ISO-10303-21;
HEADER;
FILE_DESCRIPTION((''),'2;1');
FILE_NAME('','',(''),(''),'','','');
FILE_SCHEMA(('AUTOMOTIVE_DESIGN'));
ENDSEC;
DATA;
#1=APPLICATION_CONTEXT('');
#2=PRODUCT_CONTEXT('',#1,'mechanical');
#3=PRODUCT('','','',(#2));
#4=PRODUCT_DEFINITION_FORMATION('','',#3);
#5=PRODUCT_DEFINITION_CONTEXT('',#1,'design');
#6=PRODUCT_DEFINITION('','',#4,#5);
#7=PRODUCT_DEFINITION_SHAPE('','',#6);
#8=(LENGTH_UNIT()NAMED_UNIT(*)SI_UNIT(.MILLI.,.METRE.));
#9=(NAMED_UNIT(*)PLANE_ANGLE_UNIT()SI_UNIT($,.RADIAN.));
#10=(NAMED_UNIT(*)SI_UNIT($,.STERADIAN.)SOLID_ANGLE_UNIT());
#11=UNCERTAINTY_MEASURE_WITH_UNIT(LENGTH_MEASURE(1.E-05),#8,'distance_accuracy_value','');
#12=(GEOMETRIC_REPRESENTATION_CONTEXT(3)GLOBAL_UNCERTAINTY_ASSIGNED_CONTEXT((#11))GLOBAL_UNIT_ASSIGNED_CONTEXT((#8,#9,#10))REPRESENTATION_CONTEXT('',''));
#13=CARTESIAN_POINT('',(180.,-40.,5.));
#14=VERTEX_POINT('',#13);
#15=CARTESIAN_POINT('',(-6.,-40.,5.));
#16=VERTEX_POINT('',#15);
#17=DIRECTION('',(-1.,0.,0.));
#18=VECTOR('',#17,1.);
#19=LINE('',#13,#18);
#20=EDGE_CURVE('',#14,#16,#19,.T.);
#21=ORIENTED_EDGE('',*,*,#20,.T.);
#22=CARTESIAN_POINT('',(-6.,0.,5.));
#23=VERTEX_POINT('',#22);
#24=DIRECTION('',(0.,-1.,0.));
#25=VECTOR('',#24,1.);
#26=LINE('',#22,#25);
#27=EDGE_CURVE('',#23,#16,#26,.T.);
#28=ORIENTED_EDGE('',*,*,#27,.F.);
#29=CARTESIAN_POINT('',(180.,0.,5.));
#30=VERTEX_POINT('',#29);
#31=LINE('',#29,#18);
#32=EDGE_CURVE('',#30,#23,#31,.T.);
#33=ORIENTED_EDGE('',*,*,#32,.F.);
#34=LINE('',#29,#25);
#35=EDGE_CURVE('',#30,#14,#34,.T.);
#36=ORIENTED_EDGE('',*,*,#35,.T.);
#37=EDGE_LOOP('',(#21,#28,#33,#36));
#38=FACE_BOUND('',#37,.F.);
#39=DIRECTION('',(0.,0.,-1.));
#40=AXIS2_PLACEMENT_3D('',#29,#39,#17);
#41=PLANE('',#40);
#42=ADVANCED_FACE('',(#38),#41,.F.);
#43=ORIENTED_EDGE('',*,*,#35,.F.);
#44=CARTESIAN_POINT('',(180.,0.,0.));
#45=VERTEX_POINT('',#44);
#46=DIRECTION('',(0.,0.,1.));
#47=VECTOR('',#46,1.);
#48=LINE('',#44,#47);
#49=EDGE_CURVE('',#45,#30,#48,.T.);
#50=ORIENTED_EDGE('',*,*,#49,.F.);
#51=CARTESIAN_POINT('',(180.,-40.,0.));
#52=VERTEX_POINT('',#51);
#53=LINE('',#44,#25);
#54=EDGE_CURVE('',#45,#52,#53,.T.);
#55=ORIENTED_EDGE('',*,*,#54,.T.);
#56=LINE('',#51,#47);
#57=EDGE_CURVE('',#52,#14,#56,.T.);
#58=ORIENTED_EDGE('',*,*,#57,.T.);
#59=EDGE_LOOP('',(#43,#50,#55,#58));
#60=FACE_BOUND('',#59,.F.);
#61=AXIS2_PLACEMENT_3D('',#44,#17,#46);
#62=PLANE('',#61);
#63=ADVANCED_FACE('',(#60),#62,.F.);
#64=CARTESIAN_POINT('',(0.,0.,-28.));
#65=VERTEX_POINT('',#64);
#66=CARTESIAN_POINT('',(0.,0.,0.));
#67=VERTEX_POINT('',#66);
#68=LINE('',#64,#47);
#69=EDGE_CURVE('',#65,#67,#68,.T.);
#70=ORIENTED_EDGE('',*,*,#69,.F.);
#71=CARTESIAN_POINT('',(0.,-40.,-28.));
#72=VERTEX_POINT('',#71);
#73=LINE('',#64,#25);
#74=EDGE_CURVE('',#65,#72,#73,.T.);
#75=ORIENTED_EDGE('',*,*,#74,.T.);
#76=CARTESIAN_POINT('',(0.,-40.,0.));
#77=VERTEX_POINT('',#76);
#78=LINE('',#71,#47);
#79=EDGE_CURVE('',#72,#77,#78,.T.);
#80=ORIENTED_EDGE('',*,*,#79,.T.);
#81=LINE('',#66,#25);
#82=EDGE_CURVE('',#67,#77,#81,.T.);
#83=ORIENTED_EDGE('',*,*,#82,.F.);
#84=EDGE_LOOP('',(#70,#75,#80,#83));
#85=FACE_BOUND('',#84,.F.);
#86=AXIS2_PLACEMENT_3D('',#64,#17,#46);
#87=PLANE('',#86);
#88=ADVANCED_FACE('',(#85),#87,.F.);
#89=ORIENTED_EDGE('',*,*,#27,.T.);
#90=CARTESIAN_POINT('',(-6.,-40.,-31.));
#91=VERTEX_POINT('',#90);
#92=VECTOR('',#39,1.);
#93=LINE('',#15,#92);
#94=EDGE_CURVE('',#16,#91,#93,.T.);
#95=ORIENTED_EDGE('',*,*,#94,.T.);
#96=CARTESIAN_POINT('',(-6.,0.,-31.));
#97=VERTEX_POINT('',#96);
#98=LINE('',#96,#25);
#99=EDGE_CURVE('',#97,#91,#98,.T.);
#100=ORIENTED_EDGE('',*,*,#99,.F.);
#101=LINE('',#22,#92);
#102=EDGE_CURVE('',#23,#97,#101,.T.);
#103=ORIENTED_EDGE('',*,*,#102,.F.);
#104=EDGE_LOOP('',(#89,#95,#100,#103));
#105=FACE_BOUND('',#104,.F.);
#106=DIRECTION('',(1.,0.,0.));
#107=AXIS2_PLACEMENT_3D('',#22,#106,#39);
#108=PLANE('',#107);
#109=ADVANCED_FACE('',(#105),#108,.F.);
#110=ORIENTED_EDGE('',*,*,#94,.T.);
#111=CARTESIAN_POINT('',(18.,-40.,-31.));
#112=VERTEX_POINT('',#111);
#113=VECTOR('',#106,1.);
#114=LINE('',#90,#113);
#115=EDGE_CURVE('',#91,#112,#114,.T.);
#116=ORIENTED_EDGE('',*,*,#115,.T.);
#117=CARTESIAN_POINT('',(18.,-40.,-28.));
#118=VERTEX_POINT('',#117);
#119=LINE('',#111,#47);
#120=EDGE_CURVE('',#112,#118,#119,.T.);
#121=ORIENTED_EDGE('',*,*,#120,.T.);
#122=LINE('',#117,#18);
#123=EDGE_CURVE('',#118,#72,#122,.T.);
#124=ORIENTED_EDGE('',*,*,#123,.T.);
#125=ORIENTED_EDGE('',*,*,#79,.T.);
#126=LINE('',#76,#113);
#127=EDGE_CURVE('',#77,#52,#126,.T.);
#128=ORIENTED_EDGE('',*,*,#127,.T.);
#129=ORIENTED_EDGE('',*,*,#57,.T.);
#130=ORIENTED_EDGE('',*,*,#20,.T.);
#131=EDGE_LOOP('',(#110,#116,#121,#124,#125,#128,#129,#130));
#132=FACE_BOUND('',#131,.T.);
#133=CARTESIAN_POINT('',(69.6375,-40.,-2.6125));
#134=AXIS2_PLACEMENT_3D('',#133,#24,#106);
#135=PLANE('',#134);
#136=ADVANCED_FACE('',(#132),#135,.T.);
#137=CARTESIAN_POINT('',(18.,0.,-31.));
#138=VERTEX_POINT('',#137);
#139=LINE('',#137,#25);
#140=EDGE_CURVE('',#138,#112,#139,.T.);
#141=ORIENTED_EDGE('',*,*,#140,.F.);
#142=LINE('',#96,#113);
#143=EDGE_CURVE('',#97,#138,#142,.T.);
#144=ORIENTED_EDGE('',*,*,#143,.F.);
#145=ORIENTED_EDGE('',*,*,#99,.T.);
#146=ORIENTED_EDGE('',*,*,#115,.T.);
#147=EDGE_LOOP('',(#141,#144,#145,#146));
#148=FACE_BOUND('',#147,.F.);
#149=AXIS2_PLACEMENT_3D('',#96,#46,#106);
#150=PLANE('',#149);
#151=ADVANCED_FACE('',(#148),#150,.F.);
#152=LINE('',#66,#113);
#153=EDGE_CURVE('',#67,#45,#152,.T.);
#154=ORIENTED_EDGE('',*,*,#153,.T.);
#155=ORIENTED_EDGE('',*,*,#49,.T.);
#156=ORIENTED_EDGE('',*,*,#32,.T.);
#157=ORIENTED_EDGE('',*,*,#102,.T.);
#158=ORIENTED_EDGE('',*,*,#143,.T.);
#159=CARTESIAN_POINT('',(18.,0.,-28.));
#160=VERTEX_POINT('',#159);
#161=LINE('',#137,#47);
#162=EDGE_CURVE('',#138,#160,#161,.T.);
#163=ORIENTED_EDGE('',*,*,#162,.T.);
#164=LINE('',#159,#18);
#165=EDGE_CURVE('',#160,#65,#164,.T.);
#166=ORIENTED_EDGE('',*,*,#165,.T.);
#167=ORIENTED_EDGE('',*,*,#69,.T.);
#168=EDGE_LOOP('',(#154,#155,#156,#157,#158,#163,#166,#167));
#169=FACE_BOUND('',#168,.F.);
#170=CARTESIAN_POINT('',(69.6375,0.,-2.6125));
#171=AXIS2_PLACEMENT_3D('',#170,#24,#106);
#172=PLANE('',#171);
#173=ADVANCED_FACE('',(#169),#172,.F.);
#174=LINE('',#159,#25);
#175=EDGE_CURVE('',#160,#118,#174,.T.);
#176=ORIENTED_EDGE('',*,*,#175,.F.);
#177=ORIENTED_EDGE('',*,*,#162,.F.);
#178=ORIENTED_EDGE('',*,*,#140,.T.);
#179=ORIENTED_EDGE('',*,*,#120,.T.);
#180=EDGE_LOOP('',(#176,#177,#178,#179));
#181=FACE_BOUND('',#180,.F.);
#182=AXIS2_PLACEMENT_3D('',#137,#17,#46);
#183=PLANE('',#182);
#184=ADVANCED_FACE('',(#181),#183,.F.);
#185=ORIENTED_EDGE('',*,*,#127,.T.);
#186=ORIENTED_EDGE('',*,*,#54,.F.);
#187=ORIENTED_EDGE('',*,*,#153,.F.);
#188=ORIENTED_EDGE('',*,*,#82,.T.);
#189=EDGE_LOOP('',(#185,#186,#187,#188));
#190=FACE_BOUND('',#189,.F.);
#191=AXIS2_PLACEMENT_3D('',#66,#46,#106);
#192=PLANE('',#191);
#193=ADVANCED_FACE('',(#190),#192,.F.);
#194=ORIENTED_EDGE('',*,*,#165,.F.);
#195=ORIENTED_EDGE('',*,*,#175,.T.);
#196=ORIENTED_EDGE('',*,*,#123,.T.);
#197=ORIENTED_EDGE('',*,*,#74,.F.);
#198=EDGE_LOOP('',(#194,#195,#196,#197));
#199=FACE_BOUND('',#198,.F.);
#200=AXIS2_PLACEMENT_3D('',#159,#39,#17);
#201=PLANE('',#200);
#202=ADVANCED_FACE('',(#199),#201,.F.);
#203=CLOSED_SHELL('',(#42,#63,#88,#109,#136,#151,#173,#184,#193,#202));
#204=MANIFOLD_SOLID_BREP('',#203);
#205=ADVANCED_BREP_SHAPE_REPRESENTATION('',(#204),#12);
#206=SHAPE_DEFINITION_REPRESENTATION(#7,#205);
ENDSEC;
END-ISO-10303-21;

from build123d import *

# Parameters (mm, degrees)
PAD_DEPTH = 40


with BuildPart() as part:
    # Sketch001 → Pad (new body)
    with BuildSketch(Plane.XZ):
        Polygon((0, 0), (180, 0), (180, 5), (-6, 5), (-6, -31), (18, -31), (18, -28), (0, -28), align=None)
    extrude(amount=PAD_DEPTH)


solid = part.part
